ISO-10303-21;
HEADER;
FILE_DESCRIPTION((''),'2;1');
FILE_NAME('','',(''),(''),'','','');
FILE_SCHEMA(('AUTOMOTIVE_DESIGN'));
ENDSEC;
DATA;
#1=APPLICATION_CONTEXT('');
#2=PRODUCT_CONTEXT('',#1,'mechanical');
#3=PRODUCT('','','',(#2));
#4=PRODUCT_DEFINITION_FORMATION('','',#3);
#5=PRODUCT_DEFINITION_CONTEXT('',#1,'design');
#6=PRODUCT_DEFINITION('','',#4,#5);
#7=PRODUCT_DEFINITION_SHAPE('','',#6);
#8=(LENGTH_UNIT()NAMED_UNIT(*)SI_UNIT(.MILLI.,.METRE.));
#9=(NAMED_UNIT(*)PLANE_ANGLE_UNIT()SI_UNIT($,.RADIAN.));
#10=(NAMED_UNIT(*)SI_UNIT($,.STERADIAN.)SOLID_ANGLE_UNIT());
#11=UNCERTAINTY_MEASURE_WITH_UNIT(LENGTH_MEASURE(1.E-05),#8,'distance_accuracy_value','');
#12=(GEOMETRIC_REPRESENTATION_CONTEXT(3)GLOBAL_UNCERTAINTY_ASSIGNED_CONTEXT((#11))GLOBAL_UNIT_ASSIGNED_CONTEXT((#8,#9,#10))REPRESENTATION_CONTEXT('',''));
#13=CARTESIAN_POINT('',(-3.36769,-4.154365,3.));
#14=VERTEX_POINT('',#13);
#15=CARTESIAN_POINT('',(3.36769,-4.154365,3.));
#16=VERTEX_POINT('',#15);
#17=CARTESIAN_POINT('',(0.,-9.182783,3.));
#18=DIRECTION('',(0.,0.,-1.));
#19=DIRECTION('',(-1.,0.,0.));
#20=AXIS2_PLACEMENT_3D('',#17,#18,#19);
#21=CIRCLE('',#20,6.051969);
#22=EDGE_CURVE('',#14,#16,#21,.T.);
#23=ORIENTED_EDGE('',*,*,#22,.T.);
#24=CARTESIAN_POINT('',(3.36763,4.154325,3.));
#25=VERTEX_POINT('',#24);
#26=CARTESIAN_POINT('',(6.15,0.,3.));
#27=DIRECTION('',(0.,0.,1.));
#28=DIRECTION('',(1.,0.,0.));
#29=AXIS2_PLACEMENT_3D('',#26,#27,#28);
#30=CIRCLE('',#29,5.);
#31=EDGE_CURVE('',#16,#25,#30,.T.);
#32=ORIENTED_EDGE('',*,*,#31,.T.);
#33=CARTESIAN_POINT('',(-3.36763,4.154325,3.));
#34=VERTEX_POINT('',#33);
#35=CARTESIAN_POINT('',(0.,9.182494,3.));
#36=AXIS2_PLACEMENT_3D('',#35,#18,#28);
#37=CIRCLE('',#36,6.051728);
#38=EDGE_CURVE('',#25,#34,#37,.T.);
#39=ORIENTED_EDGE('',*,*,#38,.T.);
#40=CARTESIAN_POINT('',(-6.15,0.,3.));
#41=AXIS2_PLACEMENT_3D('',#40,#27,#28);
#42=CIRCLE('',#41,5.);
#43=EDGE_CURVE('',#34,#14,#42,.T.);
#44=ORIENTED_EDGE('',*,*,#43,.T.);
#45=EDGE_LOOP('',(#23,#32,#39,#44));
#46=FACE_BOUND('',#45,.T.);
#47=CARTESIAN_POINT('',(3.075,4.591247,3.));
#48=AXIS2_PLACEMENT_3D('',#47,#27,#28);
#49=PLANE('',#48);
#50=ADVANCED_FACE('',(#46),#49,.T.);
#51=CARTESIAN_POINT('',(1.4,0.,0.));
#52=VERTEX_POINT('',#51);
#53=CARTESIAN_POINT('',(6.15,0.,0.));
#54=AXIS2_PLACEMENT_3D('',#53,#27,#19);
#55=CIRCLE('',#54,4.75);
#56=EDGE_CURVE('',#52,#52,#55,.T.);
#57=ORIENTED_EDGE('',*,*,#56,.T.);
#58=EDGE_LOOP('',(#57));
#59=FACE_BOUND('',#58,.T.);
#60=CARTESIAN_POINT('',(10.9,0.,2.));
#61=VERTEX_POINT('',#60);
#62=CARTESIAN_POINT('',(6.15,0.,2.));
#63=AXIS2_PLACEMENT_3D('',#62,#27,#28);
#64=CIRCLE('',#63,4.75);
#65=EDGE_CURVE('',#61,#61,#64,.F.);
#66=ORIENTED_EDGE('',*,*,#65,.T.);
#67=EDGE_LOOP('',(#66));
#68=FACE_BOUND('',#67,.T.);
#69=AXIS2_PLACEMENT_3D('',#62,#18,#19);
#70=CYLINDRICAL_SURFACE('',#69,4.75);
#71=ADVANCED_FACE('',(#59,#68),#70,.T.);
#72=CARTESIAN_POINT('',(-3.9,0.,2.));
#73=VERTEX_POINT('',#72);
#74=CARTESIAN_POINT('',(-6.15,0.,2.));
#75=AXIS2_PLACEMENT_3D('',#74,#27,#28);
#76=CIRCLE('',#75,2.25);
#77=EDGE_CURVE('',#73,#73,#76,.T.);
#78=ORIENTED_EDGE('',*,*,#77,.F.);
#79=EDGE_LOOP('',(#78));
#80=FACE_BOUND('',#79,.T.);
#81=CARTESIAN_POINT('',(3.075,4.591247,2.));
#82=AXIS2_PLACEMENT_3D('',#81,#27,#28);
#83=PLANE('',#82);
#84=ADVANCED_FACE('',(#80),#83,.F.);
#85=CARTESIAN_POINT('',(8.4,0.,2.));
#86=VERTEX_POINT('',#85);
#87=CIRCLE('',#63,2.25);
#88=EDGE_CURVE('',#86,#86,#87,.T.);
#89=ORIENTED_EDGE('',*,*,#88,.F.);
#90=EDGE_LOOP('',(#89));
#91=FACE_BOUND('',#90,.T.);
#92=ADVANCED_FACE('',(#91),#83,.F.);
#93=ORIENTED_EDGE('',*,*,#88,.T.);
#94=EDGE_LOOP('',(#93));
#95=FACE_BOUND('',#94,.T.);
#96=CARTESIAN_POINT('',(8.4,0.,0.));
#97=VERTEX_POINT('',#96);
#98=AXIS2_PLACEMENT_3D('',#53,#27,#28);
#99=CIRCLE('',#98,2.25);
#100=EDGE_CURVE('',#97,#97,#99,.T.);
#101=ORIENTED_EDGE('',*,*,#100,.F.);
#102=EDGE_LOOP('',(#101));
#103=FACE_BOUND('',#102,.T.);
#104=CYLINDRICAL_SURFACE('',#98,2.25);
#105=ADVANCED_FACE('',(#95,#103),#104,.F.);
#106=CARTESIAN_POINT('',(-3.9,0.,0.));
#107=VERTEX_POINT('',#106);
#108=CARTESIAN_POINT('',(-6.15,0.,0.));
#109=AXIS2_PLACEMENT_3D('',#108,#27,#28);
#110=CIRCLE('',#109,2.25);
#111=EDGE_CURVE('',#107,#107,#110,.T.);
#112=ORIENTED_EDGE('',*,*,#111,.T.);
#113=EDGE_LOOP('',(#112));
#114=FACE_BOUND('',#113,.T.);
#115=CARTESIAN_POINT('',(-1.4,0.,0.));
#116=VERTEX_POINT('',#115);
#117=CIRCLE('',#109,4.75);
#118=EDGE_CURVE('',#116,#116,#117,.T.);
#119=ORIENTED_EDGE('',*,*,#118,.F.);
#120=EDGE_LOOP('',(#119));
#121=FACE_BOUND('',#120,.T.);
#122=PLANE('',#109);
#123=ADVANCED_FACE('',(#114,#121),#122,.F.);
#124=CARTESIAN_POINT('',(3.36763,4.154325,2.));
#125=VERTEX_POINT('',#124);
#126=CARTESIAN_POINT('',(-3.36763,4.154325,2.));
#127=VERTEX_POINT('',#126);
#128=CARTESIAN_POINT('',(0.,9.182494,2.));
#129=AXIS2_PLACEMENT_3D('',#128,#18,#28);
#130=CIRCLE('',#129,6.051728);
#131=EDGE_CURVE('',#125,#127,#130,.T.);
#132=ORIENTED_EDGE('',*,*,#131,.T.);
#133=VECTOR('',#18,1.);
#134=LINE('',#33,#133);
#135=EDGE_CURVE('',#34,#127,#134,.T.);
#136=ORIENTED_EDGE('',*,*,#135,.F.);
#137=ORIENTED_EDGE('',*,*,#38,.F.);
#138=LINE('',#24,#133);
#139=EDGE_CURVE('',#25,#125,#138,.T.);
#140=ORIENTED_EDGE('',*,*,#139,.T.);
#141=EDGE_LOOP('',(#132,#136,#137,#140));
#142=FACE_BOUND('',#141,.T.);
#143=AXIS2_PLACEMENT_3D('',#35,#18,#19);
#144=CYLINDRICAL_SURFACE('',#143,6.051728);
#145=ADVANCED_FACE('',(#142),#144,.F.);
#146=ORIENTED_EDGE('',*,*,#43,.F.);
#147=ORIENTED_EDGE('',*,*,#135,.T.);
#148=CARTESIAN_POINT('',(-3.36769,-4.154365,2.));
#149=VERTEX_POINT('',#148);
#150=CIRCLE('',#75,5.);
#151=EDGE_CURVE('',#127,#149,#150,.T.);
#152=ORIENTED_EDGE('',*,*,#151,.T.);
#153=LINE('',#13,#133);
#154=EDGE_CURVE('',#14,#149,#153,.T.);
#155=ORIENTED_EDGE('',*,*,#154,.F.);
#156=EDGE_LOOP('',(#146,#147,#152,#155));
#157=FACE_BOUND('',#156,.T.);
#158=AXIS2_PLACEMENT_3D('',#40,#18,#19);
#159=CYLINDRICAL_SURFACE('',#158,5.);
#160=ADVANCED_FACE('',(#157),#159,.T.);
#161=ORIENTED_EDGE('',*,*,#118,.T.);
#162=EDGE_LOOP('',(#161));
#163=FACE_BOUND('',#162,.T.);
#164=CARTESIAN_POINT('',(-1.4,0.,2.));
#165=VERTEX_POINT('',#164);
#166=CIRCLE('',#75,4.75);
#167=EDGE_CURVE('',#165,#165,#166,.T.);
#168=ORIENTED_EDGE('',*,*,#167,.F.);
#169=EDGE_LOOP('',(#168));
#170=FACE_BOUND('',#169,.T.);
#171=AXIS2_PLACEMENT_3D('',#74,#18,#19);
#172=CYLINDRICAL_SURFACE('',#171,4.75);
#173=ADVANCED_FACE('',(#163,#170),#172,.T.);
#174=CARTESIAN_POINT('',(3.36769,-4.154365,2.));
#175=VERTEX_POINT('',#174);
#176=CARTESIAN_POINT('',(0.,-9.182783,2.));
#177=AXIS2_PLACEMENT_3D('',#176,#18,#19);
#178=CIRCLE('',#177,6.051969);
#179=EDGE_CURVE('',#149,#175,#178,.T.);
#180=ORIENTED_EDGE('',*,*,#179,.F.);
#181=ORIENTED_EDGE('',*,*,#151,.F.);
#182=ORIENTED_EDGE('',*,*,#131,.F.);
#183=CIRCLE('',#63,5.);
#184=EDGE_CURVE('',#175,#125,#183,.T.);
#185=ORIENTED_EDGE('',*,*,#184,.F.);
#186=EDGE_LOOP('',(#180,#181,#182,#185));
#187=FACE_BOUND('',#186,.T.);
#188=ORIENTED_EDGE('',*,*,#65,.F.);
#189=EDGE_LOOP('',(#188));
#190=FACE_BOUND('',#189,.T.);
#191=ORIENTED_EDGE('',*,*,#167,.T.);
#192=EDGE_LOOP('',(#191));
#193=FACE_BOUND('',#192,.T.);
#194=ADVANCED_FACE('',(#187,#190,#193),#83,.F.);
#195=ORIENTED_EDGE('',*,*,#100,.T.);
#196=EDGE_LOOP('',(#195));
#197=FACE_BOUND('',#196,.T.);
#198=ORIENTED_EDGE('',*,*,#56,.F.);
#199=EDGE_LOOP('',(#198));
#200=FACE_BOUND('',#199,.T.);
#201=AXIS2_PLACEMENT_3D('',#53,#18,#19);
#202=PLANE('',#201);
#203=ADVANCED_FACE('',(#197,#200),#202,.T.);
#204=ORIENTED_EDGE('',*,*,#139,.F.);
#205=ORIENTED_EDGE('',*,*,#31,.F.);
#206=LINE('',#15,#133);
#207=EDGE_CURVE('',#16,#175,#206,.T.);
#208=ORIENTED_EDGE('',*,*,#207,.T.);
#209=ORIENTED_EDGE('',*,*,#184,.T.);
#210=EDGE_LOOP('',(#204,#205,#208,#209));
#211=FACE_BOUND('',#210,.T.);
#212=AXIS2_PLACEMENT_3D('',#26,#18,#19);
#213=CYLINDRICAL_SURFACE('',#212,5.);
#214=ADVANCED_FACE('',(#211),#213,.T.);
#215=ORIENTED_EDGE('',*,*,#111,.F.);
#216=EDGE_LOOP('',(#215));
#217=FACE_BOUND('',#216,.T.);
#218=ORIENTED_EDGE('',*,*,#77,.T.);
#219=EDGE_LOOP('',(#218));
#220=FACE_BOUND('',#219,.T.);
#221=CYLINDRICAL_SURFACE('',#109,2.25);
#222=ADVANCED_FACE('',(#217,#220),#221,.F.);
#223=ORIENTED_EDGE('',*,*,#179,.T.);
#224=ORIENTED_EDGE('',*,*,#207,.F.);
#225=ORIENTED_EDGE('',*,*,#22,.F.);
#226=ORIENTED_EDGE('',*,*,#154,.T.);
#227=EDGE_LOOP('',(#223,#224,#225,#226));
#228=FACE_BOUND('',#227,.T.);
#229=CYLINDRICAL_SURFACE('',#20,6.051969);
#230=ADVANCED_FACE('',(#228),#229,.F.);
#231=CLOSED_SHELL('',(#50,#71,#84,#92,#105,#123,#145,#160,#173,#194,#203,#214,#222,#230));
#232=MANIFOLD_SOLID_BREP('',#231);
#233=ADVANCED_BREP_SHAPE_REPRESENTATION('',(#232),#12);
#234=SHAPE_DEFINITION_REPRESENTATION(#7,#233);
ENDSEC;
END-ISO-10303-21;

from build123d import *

# Parameters (mm, degrees)
SKETCH1_R             = 4.75
BOSS_EXTRUDE1_DEPTH   = 2
BOSS_EXTRUDE1_2_DEPTH = 2
SKETCH2_R             = 2.25
CUT_EXTRUDE1_DEPTH    = 2
SKETCH2_4_R           = 2.25
CUT_EXTRUDE2_DEPTH    = 2
BOSS_EXTRUDE2_DEPTH   = 1


with BuildPart() as part:
    # Sketch1 → Boss-Extrude1 (new body)
    with BuildSketch(Plane.XY):
        with Locations((-6.15, 0)):
            Circle(SKETCH1_R)
    extrude(amount=BOSS_EXTRUDE1_DEPTH)

    # Sketch2 → Cut-Extrude1 (cut)
    with BuildSketch(Plane.XY.offset(2)):
        with Locations((-6.15, 0)):
            Circle(SKETCH2_R)
    extrude(amount=-CUT_EXTRUDE1_DEPTH, mode=Mode.SUBTRACT)



with BuildPart() as body_2:
    # Sketch1 → Boss-Extrude1 2 (new body)
    with BuildSketch(Plane.XY):
        with Locations((6.15, 0)):
            Circle(SKETCH1_R)
    extrude(amount=BOSS_EXTRUDE1_2_DEPTH)

    # Sketch2<4> → Cut-Extrude2 (cut)
    with BuildSketch(Plane.XY.offset(2)):
        with Locations((6.15, 0)):
            Circle(SKETCH2_4_R)
    extrude(amount=-CUT_EXTRUDE2_DEPTH, mode=Mode.SUBTRACT)


with BuildPart() as part_1:
    add(part.part)

    add(body_2.part)  # Boss-Extrude2 merges body 2
    # Sketch4 → Boss-Extrude2 (add)
    with BuildSketch(Plane.XY.offset(2)):
        with BuildLine():
            ThreePointArc((-3.367629676, 4.1543249), (-11.15, 3.6455e-05), (-3.367690254, -4.154365473))
            ThreePointArc((-3.367690254, -4.154365473), (0, -3.130814748), (3.367690254, -4.154365473))
            ThreePointArc((3.367690254, -4.154365473), (11.15, 3.6455e-05), (3.367629676, 4.1543249))
            ThreePointArc((3.367629676, 4.1543249), (0, 3.130765766), (-3.367629676, 4.1543249))
        make_face()
    extrude(amount=BOSS_EXTRUDE2_DEPTH)


solid = part_1.part
